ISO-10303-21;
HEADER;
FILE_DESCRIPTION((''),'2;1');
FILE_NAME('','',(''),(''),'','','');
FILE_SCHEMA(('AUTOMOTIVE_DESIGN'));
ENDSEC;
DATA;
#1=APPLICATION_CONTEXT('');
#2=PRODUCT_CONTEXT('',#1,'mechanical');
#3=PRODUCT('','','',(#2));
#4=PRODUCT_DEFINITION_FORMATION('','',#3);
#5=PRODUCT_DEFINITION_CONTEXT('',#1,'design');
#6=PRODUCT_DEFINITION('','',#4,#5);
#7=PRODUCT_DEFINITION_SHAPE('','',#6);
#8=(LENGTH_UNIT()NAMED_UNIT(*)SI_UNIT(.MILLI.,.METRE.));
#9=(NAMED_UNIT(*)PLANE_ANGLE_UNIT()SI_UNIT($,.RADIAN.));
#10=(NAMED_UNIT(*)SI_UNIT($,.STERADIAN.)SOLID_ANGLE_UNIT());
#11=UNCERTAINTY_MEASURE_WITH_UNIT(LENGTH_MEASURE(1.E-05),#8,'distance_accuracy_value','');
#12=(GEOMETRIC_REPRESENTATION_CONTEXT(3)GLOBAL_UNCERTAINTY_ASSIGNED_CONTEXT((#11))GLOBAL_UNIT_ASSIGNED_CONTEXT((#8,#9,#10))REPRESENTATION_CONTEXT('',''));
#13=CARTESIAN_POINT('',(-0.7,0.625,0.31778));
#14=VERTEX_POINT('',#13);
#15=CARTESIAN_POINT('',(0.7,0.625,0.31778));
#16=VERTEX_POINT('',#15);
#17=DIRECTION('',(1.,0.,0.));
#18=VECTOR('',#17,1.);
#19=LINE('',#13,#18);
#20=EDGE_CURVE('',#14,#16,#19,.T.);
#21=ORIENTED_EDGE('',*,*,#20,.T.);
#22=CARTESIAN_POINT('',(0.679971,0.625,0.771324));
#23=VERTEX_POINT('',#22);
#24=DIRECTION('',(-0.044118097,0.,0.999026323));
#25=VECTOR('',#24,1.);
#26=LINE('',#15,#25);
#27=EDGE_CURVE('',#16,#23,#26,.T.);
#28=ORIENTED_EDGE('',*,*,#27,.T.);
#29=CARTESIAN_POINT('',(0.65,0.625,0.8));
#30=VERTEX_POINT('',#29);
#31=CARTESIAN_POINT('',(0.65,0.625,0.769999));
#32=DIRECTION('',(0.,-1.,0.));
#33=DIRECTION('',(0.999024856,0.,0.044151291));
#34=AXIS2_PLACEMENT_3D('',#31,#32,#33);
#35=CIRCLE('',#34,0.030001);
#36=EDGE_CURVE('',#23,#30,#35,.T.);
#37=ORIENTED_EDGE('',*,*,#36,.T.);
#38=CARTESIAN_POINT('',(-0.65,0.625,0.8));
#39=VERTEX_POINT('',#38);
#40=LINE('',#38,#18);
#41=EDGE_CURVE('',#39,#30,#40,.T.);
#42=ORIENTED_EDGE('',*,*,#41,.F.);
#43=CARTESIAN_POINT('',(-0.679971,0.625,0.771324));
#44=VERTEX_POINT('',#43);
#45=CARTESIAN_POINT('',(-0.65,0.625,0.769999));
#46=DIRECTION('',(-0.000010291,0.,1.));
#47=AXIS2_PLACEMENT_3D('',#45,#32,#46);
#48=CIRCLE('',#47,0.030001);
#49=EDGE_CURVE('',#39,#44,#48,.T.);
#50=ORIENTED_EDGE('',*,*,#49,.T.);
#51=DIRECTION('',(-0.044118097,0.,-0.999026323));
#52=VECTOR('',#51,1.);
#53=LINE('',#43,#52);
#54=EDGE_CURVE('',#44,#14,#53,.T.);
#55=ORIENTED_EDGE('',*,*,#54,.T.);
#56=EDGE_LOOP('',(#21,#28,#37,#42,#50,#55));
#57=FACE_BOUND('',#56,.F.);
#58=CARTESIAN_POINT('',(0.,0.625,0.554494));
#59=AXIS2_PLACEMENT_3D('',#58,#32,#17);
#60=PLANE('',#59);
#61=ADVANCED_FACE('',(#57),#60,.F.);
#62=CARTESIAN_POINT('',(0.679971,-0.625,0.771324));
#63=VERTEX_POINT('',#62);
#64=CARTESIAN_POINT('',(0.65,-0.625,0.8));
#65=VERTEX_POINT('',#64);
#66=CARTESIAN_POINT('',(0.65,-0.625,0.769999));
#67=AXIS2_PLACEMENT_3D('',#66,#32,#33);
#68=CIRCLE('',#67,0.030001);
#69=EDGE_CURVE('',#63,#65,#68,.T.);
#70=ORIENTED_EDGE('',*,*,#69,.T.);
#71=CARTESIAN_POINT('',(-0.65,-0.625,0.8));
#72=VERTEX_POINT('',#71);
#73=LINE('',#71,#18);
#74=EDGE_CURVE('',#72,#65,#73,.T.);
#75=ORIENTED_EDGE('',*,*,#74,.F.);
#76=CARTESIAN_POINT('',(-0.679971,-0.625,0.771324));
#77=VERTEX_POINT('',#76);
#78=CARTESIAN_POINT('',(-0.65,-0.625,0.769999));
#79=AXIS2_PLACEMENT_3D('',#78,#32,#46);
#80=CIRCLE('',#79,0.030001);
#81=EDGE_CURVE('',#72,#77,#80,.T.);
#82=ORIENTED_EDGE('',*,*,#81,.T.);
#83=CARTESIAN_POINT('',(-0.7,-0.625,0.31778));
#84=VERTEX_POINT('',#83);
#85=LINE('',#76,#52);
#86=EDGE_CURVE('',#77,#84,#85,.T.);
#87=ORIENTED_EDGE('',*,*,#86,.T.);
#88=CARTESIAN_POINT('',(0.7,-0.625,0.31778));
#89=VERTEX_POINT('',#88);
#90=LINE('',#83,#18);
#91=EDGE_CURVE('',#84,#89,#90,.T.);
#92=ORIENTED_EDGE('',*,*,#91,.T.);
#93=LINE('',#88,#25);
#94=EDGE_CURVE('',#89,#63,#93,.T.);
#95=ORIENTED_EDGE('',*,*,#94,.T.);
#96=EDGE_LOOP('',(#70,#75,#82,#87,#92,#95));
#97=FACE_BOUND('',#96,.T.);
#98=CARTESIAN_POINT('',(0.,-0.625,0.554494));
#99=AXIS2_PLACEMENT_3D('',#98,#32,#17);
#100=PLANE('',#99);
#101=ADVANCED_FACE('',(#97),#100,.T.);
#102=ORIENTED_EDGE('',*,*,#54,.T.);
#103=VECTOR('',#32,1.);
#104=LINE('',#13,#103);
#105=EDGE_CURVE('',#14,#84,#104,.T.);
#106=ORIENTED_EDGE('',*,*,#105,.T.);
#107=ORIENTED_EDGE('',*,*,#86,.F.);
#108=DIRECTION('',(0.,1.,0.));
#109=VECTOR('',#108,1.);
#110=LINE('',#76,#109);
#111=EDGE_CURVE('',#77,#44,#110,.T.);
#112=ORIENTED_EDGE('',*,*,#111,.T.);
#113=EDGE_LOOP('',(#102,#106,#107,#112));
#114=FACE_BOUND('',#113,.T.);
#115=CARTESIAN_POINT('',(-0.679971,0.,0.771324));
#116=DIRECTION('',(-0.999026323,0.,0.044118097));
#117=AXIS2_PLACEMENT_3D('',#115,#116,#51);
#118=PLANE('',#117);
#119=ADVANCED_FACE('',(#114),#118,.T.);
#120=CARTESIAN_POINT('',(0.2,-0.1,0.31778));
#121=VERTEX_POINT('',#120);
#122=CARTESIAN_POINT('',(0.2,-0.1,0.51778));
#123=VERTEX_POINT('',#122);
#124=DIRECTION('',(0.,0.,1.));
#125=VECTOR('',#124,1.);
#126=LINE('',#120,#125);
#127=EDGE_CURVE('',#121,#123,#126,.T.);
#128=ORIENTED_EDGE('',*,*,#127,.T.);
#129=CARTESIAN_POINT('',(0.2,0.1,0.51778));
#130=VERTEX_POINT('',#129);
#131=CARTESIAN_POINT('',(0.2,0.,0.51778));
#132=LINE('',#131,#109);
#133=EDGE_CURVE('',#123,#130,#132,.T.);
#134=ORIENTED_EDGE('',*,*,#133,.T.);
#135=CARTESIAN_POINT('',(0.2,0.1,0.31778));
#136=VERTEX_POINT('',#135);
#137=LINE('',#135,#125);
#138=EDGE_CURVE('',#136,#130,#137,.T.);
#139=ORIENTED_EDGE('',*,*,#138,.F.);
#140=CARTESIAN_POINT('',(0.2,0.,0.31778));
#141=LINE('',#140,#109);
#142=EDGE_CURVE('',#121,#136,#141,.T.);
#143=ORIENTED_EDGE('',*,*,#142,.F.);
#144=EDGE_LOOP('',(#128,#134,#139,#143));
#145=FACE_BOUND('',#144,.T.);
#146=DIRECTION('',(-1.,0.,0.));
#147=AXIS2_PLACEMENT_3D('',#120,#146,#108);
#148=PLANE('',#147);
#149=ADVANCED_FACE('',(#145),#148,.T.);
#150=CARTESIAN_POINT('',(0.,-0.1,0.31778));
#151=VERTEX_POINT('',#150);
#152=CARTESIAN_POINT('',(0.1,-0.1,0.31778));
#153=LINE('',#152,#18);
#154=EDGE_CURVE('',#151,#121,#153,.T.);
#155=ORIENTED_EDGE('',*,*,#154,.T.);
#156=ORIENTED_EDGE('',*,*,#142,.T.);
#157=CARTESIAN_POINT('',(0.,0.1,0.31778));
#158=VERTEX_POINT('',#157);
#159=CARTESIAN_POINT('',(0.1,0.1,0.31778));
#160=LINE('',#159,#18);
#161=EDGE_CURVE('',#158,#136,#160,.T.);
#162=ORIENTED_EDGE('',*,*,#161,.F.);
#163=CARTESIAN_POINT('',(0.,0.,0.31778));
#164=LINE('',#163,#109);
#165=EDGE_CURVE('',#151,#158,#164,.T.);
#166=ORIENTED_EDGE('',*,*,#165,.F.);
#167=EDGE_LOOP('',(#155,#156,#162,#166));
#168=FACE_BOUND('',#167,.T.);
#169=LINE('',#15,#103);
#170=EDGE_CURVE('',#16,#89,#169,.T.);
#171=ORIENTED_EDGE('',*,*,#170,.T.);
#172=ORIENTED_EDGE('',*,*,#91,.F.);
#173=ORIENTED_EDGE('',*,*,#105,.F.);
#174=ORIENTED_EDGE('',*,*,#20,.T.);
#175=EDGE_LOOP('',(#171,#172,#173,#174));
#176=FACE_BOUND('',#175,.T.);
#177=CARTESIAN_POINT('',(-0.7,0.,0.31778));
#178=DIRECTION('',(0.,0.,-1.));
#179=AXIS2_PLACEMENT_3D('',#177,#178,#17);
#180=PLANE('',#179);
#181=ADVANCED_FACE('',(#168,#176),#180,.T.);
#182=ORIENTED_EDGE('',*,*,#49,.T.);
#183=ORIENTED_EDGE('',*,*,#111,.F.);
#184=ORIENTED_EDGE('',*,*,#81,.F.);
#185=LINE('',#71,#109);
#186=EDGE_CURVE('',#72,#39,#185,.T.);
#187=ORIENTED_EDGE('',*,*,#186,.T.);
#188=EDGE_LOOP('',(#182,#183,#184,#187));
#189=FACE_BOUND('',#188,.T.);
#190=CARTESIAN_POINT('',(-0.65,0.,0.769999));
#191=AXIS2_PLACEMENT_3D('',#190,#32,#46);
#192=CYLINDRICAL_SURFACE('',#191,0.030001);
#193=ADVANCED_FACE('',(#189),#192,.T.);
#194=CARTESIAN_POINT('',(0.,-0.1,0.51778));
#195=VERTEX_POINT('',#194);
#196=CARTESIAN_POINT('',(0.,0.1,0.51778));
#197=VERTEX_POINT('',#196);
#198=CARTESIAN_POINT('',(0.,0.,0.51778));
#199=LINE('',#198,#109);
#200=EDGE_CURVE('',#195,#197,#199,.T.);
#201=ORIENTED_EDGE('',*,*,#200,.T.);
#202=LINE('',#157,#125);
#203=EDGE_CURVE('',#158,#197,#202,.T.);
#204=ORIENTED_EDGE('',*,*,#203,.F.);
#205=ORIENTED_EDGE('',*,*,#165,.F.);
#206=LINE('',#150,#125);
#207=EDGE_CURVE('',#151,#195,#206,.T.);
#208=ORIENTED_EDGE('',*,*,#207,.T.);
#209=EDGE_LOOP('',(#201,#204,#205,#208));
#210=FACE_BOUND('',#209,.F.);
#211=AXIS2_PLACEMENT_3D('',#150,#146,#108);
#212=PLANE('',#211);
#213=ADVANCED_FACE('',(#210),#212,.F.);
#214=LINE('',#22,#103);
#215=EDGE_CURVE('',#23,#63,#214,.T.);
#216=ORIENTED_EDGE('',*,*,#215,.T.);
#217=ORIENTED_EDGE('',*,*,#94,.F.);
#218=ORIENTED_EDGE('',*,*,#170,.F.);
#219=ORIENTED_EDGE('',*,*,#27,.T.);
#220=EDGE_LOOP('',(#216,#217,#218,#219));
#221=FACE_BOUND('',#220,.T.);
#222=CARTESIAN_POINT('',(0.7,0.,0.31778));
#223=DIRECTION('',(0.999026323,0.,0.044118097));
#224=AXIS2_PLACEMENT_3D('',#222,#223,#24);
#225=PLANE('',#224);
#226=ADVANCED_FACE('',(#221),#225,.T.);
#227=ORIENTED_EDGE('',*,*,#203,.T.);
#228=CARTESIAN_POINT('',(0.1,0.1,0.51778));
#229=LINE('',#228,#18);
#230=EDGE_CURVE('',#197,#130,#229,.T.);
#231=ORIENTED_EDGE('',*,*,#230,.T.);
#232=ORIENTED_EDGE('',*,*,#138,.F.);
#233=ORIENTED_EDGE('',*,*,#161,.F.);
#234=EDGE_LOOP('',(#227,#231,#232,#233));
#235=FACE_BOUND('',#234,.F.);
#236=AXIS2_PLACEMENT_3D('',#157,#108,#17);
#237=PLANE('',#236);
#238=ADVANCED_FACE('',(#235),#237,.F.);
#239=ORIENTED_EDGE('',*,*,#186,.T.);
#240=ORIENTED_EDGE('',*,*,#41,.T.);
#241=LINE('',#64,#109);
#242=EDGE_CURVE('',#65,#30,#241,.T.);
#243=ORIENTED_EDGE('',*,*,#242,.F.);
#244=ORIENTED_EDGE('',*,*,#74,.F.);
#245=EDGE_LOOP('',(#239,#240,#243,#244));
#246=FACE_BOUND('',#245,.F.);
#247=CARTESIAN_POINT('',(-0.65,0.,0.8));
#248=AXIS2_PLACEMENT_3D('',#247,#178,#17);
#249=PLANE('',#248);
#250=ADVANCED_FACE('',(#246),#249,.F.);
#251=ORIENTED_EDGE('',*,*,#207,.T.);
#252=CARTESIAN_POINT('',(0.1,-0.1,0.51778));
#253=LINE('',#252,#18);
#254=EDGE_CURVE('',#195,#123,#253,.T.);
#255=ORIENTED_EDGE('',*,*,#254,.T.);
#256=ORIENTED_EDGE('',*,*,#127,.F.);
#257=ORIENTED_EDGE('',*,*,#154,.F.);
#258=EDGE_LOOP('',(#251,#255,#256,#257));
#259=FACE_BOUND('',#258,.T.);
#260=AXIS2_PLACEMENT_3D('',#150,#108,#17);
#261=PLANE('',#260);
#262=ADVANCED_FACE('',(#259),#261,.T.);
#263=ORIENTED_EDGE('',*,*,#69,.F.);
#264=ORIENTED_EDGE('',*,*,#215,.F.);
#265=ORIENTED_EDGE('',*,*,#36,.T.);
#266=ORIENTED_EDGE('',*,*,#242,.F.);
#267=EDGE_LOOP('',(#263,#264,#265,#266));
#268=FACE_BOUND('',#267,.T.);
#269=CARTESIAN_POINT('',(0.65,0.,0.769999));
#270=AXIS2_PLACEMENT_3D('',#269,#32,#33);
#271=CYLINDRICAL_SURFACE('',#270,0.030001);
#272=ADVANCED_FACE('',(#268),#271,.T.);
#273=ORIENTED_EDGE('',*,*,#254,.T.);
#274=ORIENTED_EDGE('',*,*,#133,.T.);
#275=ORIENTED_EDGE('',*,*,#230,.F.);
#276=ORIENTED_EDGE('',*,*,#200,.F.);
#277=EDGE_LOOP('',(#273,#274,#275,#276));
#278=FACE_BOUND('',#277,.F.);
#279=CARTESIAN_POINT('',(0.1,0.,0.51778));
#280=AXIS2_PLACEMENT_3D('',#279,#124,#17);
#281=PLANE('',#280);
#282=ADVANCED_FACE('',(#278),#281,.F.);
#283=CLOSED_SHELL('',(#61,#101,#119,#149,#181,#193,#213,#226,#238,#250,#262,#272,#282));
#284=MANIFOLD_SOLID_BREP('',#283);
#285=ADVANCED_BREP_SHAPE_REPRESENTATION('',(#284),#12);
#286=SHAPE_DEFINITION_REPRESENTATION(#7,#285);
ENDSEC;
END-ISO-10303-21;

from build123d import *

# Parameters (mm, degrees)
SKETCH006_W       = 0.2
SKETCH006_H       = 0.2
PAD003_DEPTH      = 0.2
PAD004_DEPTH      = 0.625
PAD004_DEPTH_BACK = 0.625


with BuildPart() as body004:
    # Sketch006 → Pad003 (new body)
    with BuildSketch(Plane.XY):
        with Locations((0.1, 0)):
            Rectangle(SKETCH006_W, SKETCH006_H)
    extrude(amount=PAD003_DEPTH)


with BuildPart() as body004_1:
    # Body002 placement: moved
    add(body004.part.moved(Location((0, 0, 0.31778))))


with BuildPart() as lens:
    # Sketch007 → Pad004 (new body, two sides)
    with BuildSketch(Plane.XZ) as pad004_sk:
        with BuildLine():
            Line((-0.679971, 0.453544), (-0.7, 0))
            Line((-0.7, 0), (0.7, 0))
            Line((0.7, 0), (0.679971, 0.453544))
            ThreePointArc((0.679971, 0.453544), (0.67074, 0.473896), (0.65, 0.48222))
            Line((-0.65, 0.48222), (0.65, 0.48222))
            ThreePointArc((-0.65, 0.48222), (-0.67074, 0.473896), (-0.679971, 0.453544))
        make_face()
    extrude(amount=PAD004_DEPTH)
    extrude(pad004_sk.sketch, amount=-PAD004_DEPTH_BACK)


with BuildPart() as lens_1:
    # Body003 placement: moved
    add(lens.part.moved(Location((0, 0, 0.31778))))

    # Cut: cut Body004
    add(body004_1.part, mode=Mode.SUBTRACT)


solid = lens_1.part
